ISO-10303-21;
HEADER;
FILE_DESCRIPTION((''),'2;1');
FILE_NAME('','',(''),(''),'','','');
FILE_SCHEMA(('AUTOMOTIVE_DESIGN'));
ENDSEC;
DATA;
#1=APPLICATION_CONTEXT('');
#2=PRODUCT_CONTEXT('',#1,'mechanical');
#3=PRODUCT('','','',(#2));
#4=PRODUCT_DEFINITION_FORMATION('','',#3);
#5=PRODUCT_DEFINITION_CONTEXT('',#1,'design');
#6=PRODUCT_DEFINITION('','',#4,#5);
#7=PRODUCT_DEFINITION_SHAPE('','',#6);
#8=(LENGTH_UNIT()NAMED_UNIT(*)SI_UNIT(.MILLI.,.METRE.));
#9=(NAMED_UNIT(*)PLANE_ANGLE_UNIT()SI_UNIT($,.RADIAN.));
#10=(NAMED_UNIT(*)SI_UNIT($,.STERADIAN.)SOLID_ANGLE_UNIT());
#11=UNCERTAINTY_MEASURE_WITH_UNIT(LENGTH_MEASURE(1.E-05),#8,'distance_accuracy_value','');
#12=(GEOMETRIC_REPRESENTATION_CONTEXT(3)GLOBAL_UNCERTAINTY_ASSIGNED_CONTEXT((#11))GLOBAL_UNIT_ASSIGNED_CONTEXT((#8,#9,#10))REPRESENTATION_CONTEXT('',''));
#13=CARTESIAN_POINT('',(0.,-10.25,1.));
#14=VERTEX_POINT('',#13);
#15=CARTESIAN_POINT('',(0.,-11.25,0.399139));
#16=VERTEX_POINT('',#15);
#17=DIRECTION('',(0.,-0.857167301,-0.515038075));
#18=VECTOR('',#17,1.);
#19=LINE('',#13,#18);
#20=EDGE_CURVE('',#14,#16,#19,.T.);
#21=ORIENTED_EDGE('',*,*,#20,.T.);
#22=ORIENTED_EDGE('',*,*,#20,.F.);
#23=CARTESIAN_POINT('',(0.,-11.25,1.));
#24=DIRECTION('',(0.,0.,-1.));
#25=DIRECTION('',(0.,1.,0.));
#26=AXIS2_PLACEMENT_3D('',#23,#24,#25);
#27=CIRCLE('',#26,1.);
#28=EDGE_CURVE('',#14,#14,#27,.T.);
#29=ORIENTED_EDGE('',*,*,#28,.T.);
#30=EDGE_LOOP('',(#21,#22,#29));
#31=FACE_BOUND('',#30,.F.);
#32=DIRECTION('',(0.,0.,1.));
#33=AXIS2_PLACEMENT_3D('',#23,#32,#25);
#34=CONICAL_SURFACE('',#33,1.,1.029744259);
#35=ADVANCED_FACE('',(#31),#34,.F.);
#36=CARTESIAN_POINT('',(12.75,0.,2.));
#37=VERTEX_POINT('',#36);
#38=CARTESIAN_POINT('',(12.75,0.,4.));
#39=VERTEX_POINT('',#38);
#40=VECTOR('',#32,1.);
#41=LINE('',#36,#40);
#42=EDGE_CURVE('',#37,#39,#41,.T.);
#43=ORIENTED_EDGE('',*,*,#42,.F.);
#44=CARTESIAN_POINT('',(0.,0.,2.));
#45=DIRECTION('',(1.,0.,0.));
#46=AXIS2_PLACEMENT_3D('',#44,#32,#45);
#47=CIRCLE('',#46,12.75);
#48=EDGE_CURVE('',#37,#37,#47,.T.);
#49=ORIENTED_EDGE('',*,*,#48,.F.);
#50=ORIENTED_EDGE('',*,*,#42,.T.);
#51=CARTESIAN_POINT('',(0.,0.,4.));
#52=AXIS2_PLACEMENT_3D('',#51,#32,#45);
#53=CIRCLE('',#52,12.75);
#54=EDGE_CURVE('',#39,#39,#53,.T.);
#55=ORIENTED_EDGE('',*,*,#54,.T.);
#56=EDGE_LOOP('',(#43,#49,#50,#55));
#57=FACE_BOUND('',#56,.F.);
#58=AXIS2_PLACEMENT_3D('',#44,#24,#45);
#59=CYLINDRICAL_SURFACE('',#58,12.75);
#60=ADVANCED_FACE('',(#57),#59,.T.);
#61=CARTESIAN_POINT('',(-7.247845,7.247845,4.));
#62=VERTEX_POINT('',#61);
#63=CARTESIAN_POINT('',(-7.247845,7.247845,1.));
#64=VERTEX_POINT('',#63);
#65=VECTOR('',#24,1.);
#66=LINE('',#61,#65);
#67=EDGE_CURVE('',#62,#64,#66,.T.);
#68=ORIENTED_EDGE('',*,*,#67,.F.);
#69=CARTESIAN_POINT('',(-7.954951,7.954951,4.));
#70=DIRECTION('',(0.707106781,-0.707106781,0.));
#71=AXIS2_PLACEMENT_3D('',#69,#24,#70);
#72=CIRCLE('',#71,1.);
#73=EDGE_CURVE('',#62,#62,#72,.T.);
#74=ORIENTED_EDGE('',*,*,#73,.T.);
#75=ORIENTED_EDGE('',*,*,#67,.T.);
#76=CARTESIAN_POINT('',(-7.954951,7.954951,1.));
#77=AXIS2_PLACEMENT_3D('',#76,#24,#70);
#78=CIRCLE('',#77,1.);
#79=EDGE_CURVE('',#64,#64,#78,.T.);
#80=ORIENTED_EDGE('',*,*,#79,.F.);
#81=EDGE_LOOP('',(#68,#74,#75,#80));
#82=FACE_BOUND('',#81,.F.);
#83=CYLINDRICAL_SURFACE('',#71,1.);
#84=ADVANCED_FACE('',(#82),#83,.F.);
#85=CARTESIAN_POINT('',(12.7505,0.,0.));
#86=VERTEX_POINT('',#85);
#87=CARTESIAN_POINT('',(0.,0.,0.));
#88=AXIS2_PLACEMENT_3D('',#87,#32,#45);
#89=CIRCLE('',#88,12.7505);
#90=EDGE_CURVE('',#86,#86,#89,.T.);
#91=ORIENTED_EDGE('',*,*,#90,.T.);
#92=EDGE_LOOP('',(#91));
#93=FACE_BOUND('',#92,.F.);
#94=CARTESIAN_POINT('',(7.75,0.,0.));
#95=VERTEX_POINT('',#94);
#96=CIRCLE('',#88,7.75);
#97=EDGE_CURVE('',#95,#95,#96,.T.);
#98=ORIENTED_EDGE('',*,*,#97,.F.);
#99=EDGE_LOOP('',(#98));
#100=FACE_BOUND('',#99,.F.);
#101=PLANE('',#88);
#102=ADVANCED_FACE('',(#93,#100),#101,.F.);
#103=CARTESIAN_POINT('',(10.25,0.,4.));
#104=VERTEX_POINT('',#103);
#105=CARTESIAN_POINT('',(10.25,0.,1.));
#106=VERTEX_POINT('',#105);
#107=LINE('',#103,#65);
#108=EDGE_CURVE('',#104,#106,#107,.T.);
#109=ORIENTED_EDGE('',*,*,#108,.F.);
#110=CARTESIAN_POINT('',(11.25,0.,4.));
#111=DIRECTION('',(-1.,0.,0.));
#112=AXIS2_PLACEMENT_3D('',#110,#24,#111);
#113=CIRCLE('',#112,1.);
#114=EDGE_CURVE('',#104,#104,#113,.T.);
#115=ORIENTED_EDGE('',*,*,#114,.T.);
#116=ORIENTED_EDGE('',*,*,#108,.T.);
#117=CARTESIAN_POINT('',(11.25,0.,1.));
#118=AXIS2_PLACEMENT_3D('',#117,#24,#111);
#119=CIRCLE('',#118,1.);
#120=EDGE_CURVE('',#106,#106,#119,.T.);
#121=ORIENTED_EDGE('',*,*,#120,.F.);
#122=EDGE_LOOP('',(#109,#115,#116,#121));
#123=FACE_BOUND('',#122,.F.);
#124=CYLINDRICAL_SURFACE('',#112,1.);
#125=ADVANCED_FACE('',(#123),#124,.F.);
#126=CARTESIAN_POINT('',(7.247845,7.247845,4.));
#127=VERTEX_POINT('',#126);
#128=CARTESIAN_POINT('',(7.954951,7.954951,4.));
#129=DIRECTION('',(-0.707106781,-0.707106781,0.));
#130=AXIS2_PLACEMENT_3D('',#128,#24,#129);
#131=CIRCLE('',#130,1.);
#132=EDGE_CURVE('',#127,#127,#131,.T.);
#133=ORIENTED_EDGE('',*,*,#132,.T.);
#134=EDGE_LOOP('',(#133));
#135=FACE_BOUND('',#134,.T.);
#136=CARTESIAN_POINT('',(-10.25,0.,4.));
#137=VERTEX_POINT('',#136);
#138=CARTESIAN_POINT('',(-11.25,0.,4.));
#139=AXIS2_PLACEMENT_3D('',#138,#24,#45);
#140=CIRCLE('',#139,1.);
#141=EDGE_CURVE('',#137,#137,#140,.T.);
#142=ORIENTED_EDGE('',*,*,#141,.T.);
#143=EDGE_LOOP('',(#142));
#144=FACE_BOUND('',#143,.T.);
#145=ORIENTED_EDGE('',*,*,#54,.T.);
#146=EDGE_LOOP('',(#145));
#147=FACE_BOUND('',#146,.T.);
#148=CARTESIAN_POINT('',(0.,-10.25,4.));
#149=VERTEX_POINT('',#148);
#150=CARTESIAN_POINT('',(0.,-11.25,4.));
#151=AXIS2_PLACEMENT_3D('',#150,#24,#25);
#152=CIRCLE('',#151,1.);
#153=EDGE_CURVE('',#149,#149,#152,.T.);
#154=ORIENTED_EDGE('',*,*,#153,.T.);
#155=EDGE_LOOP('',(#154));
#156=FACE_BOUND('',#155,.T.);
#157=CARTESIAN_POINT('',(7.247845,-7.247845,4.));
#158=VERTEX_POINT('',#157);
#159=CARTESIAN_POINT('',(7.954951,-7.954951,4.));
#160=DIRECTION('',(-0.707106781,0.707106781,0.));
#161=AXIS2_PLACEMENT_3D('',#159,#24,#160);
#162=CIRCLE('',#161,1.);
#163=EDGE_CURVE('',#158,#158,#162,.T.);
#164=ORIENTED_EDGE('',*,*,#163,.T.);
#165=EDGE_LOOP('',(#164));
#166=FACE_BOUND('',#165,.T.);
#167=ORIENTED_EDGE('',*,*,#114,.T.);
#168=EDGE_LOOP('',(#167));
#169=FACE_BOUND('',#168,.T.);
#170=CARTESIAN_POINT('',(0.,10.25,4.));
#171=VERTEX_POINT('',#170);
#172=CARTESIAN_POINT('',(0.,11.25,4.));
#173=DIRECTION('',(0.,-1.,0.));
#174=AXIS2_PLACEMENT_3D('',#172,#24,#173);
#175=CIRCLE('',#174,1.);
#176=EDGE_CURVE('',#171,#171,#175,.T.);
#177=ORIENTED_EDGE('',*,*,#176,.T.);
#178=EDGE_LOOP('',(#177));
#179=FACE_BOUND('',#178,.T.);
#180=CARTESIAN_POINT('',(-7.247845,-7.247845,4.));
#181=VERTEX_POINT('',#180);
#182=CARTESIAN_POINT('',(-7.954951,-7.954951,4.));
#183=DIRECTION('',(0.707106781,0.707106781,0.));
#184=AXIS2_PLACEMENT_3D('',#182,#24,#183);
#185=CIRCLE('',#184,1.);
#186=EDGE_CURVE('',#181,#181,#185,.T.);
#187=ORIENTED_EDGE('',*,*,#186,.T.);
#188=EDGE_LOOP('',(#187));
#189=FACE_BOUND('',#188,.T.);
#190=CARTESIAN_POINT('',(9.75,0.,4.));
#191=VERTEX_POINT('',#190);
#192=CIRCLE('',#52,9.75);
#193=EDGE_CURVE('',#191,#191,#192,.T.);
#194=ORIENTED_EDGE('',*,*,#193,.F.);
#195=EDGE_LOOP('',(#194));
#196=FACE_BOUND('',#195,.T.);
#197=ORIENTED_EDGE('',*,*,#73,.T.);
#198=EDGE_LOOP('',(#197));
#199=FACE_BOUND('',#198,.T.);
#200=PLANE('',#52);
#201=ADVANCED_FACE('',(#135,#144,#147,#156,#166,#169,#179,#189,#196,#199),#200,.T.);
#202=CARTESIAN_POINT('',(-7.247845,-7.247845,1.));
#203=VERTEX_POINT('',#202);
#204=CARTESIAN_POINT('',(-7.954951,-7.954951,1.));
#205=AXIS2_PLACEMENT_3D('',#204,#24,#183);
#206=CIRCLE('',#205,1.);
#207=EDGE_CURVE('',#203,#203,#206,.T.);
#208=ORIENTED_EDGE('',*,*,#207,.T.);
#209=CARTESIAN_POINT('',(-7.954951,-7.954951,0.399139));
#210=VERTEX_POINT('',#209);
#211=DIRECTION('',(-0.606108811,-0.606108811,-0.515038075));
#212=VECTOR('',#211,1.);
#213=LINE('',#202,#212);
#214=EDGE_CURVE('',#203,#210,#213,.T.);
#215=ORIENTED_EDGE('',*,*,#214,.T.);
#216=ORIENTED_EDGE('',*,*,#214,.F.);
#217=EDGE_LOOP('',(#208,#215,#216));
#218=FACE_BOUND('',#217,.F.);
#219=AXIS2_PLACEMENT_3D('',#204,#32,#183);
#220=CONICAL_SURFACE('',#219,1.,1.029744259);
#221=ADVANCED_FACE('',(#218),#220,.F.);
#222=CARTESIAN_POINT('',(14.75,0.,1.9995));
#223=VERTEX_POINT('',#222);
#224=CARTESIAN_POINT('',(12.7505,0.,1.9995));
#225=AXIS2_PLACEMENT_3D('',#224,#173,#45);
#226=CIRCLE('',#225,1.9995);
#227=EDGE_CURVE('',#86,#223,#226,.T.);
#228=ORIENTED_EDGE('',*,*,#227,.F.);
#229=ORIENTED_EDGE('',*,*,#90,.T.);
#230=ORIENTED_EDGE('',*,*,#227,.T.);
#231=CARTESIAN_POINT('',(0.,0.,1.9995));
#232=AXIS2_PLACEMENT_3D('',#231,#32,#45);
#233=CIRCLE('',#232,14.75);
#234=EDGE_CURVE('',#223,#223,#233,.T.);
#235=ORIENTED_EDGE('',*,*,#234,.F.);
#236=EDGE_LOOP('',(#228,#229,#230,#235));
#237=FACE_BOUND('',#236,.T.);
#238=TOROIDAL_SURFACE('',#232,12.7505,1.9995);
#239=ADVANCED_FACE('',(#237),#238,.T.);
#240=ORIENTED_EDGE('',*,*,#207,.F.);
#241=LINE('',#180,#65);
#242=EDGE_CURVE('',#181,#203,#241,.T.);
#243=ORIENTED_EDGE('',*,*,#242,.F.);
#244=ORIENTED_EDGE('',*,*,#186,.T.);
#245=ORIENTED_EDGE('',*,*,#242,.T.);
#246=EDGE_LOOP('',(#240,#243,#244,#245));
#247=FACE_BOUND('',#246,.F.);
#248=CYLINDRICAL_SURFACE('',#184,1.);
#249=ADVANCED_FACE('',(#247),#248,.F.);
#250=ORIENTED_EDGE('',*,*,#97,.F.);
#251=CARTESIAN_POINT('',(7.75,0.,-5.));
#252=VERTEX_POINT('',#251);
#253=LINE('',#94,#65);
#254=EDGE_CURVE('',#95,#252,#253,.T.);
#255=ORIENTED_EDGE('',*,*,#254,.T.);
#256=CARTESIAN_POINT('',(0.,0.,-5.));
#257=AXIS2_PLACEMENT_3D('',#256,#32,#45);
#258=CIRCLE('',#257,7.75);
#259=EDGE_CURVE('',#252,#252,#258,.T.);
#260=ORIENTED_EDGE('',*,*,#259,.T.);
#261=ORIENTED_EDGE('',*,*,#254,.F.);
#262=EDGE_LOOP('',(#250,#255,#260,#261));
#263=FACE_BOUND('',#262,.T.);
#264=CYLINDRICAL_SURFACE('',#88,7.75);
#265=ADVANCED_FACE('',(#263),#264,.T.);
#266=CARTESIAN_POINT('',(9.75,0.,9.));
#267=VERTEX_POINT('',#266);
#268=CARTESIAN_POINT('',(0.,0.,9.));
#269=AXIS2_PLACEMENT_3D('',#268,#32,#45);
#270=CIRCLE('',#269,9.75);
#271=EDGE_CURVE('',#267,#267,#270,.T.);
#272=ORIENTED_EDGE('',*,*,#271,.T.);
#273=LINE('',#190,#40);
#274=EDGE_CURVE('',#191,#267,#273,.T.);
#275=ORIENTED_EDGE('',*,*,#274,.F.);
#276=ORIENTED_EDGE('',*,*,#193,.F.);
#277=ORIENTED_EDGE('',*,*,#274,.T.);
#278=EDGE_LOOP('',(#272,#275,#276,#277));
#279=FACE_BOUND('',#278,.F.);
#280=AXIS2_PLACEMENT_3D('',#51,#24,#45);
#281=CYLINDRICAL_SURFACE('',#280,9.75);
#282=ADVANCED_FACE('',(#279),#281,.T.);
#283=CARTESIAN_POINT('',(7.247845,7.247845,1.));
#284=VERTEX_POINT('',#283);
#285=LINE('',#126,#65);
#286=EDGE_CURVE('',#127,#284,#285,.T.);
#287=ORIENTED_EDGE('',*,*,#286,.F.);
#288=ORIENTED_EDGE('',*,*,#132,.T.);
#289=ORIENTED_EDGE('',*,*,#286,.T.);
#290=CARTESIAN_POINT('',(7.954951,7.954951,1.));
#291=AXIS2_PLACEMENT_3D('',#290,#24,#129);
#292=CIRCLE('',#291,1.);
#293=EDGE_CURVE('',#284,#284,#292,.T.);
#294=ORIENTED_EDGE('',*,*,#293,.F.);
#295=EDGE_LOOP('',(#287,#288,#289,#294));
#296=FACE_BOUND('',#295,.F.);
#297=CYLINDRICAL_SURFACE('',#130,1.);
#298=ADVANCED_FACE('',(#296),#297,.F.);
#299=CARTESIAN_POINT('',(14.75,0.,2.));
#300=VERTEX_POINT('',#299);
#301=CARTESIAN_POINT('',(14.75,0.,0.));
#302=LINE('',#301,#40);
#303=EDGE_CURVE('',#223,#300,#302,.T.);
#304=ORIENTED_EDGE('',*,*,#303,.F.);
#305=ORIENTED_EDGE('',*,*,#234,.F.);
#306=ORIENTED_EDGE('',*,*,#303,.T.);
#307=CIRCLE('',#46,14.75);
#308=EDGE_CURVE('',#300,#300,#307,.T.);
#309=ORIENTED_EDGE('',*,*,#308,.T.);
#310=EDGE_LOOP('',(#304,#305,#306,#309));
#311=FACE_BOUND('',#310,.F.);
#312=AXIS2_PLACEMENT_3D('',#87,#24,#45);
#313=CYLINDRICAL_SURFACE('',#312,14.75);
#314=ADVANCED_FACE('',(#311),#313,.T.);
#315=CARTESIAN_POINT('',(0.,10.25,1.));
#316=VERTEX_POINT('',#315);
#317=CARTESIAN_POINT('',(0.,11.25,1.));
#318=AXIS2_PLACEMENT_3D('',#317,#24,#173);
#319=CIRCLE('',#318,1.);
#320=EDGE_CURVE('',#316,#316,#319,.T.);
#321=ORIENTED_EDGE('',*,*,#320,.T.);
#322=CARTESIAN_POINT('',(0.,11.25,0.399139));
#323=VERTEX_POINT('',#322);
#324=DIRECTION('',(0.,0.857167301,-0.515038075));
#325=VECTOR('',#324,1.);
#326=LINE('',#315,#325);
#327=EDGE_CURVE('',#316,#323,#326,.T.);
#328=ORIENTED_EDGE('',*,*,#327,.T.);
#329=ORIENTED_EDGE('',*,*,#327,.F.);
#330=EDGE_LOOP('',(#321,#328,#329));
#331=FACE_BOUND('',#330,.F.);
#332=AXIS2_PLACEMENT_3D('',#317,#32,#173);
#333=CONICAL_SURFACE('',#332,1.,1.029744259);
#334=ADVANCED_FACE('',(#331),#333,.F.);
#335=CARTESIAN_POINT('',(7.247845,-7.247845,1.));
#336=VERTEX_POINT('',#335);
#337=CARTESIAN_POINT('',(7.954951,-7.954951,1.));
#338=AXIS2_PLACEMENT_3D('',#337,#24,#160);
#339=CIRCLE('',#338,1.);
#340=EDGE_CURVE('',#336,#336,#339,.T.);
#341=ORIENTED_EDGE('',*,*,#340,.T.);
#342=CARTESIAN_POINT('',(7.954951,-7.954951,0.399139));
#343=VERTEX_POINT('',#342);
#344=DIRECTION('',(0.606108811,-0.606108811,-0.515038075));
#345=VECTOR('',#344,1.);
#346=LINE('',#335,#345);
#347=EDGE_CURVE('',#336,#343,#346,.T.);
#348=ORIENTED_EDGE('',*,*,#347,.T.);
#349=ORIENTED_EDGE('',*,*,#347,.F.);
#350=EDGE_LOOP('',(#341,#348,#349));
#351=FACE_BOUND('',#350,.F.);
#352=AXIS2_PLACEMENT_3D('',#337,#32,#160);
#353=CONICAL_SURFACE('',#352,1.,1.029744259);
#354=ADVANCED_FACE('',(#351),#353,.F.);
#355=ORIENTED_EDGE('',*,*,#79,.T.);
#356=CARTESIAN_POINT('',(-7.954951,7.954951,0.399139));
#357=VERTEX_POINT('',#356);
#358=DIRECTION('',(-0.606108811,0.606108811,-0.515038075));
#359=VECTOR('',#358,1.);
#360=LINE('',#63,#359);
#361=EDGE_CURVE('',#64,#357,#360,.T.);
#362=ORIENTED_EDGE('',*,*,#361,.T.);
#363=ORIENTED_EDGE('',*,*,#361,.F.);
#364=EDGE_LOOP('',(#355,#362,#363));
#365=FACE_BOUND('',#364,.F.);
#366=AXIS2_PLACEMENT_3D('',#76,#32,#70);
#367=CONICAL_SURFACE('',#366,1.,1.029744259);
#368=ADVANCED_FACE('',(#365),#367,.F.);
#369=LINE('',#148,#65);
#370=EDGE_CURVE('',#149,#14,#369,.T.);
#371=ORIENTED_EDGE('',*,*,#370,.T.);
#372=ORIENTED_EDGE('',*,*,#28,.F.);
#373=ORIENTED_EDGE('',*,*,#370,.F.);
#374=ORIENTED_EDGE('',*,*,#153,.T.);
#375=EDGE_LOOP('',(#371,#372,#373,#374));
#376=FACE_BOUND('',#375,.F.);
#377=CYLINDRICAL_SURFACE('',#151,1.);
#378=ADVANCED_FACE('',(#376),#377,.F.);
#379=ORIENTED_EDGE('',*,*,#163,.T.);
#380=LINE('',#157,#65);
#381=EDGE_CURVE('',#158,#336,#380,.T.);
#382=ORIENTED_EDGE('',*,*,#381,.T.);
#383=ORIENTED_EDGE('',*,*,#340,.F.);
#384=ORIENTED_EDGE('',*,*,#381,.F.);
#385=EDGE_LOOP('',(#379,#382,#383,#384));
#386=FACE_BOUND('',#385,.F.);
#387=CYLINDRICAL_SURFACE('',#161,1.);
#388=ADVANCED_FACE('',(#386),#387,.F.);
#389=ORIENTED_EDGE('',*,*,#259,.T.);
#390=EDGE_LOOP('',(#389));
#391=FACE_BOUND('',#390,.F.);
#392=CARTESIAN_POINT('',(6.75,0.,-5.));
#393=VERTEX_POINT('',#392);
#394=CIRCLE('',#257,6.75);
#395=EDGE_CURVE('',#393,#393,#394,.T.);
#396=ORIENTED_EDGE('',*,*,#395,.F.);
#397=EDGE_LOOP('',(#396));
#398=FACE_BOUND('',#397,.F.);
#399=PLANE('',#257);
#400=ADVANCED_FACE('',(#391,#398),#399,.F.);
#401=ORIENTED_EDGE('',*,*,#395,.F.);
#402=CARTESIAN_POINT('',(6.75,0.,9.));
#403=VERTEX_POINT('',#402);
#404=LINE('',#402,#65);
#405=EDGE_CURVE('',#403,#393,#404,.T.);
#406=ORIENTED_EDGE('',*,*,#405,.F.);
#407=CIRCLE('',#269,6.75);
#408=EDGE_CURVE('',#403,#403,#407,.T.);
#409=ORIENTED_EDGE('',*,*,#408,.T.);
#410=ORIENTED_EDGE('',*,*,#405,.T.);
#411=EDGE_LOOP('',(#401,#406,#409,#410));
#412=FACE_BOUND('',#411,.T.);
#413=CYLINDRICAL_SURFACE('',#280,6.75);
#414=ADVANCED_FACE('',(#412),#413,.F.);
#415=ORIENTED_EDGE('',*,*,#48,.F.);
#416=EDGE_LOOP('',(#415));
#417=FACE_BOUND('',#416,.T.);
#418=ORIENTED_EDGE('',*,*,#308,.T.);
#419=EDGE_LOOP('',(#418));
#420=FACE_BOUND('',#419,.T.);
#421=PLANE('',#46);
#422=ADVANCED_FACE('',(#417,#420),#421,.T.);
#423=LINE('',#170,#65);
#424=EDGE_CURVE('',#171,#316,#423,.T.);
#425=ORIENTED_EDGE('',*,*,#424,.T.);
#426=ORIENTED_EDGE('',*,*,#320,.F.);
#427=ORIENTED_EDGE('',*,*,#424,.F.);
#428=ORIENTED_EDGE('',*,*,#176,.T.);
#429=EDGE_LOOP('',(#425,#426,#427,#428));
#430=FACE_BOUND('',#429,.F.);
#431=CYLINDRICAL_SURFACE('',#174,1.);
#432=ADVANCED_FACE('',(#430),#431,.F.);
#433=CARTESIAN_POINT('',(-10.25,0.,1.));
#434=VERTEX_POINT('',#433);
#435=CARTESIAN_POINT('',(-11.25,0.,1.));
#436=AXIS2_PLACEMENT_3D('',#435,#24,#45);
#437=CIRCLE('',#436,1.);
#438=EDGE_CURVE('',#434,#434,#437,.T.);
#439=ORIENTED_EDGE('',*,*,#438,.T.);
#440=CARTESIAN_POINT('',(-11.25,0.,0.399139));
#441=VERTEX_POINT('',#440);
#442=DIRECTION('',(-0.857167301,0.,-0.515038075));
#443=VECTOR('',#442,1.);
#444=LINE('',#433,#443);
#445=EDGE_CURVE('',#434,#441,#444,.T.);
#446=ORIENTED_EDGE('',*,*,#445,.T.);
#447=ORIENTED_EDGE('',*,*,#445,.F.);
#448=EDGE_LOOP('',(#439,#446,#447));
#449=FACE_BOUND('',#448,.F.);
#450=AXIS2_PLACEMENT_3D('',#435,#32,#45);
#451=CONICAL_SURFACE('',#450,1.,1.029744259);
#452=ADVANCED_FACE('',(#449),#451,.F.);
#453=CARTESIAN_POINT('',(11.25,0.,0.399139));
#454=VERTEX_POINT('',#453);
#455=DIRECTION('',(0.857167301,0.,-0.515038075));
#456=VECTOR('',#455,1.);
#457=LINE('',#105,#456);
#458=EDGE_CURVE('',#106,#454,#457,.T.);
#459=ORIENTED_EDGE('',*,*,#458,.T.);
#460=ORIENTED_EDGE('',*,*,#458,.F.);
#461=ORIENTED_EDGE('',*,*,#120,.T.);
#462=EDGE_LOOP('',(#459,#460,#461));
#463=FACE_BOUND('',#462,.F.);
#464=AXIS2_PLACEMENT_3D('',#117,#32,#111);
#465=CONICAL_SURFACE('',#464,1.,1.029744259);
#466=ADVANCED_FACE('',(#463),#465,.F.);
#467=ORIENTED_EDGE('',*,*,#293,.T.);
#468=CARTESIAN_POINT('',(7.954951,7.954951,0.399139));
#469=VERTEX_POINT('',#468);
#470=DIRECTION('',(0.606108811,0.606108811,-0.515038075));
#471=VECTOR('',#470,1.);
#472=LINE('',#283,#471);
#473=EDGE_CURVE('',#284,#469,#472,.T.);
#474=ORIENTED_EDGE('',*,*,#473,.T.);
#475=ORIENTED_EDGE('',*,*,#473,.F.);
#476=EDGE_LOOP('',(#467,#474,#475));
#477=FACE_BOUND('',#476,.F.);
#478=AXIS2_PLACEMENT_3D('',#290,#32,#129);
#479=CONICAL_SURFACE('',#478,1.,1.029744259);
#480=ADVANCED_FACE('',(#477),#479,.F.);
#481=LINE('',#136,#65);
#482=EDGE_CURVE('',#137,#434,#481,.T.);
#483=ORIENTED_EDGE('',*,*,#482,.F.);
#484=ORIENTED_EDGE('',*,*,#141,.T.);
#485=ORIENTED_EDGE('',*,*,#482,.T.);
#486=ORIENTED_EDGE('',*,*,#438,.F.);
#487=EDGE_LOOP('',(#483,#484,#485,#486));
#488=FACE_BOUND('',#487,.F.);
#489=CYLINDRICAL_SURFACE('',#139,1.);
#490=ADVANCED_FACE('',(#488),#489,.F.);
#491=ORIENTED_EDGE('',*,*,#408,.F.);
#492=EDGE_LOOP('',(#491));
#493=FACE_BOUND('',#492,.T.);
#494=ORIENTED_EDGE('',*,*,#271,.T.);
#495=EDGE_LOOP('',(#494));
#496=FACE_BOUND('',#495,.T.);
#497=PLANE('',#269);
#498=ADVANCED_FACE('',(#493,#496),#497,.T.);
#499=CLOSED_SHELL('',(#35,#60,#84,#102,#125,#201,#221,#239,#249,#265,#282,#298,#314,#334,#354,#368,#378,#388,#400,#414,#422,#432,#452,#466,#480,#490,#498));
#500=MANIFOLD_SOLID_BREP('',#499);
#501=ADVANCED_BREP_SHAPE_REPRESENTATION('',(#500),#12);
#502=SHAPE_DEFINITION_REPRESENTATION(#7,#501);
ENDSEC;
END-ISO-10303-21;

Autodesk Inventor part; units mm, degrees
ref_plane "YZ Plane" through (0, 0, 0) normal (1, 0, 0) x (0, 1, 0)
ref_plane "XZ Plane" through (0, 0, 0) normal (0, 1, 0) x (-1, 0, 0)
ref_plane "XY Plane" through (0, 0, 0) normal (0, 0, 1) x (1, 0, 0)
sketch "Sketch1" plane through (0, 0, 0) normal (0, 0, 1) x (1, 0, 0)
  circle A0 centre (0, 0) radius 7.75
  circle A1 centre (0, 0) radius 9.75
  circle A2 centre (0, 0) radius 6.75
  circle A3 centre (0, 0) radius 14.75
  dimension "d0" = 15.5
  dimension "d1" = 2
  dimension "d2" = 1
  dimension "d5" = 5
extrude "Extrusion1" add sketch "Sketch1" against normal blind 5 contours A0
extrude "Extrusion2" add sketch "Sketch1" along normal blind 2 contours A0 | A1 | A3
fillet "Fillet1" radius 2 1 edges at (-14.75, 0, 0)
sketch "Sketch2" plane through (0, 0, 2) normal (0, 0, 1) x (1, 0, 0)
  circle A0 centre (0, 0) radius 12.75
  circle A1 centre (0, 0) radius 6.75
  dimension "d9" = 25.5
  dimension "d10" = 13.5
extrude "Extrusion3" add sketch "Sketch2" along normal blind 2
sketch "Sketch3" plane through (0, 0, 4) normal (0, 0, 1) x (1, 0, 0)
  circle A0 centre (0, 0) radius 6.75 projected
  circle A1 centre (0, 0) radius 9.75
  dimension "d13" = 3
extrude "Extrusion4" add sketch "Sketch3" along normal blind 5
sketch "Sketch4" plane through (0, 0, 4) normal (0, 0, 1) x (1, 0, 0)
  circle A0 centre (0, 0) radius 9.75 projected
  circle A1 centre (0, 0) radius 12.75 projected
  line L0 (0, 20.65) -> (0, -20.65) construction
  circle A2 centre (0, 0) radius 9.75 construction
  line L1 (0, 9.75) -> (0, 12.75) construction
  line L2 (0, 11.25) -> (0.6069, 11.25) construction
  dimension "d27" = 25.5
hole "Hole1" at (0, 11.25, 4) direction (0, 0, -1) diameter 2 depth 3 tip angle 118
pattern_circular "Circular Pattern1" count 8 over 360 about axis through (0, 0, 0) along (0, 0, -1) of "Hole1"
properties part number "X-Ray Tube Output" material "Aluminum 6061"
